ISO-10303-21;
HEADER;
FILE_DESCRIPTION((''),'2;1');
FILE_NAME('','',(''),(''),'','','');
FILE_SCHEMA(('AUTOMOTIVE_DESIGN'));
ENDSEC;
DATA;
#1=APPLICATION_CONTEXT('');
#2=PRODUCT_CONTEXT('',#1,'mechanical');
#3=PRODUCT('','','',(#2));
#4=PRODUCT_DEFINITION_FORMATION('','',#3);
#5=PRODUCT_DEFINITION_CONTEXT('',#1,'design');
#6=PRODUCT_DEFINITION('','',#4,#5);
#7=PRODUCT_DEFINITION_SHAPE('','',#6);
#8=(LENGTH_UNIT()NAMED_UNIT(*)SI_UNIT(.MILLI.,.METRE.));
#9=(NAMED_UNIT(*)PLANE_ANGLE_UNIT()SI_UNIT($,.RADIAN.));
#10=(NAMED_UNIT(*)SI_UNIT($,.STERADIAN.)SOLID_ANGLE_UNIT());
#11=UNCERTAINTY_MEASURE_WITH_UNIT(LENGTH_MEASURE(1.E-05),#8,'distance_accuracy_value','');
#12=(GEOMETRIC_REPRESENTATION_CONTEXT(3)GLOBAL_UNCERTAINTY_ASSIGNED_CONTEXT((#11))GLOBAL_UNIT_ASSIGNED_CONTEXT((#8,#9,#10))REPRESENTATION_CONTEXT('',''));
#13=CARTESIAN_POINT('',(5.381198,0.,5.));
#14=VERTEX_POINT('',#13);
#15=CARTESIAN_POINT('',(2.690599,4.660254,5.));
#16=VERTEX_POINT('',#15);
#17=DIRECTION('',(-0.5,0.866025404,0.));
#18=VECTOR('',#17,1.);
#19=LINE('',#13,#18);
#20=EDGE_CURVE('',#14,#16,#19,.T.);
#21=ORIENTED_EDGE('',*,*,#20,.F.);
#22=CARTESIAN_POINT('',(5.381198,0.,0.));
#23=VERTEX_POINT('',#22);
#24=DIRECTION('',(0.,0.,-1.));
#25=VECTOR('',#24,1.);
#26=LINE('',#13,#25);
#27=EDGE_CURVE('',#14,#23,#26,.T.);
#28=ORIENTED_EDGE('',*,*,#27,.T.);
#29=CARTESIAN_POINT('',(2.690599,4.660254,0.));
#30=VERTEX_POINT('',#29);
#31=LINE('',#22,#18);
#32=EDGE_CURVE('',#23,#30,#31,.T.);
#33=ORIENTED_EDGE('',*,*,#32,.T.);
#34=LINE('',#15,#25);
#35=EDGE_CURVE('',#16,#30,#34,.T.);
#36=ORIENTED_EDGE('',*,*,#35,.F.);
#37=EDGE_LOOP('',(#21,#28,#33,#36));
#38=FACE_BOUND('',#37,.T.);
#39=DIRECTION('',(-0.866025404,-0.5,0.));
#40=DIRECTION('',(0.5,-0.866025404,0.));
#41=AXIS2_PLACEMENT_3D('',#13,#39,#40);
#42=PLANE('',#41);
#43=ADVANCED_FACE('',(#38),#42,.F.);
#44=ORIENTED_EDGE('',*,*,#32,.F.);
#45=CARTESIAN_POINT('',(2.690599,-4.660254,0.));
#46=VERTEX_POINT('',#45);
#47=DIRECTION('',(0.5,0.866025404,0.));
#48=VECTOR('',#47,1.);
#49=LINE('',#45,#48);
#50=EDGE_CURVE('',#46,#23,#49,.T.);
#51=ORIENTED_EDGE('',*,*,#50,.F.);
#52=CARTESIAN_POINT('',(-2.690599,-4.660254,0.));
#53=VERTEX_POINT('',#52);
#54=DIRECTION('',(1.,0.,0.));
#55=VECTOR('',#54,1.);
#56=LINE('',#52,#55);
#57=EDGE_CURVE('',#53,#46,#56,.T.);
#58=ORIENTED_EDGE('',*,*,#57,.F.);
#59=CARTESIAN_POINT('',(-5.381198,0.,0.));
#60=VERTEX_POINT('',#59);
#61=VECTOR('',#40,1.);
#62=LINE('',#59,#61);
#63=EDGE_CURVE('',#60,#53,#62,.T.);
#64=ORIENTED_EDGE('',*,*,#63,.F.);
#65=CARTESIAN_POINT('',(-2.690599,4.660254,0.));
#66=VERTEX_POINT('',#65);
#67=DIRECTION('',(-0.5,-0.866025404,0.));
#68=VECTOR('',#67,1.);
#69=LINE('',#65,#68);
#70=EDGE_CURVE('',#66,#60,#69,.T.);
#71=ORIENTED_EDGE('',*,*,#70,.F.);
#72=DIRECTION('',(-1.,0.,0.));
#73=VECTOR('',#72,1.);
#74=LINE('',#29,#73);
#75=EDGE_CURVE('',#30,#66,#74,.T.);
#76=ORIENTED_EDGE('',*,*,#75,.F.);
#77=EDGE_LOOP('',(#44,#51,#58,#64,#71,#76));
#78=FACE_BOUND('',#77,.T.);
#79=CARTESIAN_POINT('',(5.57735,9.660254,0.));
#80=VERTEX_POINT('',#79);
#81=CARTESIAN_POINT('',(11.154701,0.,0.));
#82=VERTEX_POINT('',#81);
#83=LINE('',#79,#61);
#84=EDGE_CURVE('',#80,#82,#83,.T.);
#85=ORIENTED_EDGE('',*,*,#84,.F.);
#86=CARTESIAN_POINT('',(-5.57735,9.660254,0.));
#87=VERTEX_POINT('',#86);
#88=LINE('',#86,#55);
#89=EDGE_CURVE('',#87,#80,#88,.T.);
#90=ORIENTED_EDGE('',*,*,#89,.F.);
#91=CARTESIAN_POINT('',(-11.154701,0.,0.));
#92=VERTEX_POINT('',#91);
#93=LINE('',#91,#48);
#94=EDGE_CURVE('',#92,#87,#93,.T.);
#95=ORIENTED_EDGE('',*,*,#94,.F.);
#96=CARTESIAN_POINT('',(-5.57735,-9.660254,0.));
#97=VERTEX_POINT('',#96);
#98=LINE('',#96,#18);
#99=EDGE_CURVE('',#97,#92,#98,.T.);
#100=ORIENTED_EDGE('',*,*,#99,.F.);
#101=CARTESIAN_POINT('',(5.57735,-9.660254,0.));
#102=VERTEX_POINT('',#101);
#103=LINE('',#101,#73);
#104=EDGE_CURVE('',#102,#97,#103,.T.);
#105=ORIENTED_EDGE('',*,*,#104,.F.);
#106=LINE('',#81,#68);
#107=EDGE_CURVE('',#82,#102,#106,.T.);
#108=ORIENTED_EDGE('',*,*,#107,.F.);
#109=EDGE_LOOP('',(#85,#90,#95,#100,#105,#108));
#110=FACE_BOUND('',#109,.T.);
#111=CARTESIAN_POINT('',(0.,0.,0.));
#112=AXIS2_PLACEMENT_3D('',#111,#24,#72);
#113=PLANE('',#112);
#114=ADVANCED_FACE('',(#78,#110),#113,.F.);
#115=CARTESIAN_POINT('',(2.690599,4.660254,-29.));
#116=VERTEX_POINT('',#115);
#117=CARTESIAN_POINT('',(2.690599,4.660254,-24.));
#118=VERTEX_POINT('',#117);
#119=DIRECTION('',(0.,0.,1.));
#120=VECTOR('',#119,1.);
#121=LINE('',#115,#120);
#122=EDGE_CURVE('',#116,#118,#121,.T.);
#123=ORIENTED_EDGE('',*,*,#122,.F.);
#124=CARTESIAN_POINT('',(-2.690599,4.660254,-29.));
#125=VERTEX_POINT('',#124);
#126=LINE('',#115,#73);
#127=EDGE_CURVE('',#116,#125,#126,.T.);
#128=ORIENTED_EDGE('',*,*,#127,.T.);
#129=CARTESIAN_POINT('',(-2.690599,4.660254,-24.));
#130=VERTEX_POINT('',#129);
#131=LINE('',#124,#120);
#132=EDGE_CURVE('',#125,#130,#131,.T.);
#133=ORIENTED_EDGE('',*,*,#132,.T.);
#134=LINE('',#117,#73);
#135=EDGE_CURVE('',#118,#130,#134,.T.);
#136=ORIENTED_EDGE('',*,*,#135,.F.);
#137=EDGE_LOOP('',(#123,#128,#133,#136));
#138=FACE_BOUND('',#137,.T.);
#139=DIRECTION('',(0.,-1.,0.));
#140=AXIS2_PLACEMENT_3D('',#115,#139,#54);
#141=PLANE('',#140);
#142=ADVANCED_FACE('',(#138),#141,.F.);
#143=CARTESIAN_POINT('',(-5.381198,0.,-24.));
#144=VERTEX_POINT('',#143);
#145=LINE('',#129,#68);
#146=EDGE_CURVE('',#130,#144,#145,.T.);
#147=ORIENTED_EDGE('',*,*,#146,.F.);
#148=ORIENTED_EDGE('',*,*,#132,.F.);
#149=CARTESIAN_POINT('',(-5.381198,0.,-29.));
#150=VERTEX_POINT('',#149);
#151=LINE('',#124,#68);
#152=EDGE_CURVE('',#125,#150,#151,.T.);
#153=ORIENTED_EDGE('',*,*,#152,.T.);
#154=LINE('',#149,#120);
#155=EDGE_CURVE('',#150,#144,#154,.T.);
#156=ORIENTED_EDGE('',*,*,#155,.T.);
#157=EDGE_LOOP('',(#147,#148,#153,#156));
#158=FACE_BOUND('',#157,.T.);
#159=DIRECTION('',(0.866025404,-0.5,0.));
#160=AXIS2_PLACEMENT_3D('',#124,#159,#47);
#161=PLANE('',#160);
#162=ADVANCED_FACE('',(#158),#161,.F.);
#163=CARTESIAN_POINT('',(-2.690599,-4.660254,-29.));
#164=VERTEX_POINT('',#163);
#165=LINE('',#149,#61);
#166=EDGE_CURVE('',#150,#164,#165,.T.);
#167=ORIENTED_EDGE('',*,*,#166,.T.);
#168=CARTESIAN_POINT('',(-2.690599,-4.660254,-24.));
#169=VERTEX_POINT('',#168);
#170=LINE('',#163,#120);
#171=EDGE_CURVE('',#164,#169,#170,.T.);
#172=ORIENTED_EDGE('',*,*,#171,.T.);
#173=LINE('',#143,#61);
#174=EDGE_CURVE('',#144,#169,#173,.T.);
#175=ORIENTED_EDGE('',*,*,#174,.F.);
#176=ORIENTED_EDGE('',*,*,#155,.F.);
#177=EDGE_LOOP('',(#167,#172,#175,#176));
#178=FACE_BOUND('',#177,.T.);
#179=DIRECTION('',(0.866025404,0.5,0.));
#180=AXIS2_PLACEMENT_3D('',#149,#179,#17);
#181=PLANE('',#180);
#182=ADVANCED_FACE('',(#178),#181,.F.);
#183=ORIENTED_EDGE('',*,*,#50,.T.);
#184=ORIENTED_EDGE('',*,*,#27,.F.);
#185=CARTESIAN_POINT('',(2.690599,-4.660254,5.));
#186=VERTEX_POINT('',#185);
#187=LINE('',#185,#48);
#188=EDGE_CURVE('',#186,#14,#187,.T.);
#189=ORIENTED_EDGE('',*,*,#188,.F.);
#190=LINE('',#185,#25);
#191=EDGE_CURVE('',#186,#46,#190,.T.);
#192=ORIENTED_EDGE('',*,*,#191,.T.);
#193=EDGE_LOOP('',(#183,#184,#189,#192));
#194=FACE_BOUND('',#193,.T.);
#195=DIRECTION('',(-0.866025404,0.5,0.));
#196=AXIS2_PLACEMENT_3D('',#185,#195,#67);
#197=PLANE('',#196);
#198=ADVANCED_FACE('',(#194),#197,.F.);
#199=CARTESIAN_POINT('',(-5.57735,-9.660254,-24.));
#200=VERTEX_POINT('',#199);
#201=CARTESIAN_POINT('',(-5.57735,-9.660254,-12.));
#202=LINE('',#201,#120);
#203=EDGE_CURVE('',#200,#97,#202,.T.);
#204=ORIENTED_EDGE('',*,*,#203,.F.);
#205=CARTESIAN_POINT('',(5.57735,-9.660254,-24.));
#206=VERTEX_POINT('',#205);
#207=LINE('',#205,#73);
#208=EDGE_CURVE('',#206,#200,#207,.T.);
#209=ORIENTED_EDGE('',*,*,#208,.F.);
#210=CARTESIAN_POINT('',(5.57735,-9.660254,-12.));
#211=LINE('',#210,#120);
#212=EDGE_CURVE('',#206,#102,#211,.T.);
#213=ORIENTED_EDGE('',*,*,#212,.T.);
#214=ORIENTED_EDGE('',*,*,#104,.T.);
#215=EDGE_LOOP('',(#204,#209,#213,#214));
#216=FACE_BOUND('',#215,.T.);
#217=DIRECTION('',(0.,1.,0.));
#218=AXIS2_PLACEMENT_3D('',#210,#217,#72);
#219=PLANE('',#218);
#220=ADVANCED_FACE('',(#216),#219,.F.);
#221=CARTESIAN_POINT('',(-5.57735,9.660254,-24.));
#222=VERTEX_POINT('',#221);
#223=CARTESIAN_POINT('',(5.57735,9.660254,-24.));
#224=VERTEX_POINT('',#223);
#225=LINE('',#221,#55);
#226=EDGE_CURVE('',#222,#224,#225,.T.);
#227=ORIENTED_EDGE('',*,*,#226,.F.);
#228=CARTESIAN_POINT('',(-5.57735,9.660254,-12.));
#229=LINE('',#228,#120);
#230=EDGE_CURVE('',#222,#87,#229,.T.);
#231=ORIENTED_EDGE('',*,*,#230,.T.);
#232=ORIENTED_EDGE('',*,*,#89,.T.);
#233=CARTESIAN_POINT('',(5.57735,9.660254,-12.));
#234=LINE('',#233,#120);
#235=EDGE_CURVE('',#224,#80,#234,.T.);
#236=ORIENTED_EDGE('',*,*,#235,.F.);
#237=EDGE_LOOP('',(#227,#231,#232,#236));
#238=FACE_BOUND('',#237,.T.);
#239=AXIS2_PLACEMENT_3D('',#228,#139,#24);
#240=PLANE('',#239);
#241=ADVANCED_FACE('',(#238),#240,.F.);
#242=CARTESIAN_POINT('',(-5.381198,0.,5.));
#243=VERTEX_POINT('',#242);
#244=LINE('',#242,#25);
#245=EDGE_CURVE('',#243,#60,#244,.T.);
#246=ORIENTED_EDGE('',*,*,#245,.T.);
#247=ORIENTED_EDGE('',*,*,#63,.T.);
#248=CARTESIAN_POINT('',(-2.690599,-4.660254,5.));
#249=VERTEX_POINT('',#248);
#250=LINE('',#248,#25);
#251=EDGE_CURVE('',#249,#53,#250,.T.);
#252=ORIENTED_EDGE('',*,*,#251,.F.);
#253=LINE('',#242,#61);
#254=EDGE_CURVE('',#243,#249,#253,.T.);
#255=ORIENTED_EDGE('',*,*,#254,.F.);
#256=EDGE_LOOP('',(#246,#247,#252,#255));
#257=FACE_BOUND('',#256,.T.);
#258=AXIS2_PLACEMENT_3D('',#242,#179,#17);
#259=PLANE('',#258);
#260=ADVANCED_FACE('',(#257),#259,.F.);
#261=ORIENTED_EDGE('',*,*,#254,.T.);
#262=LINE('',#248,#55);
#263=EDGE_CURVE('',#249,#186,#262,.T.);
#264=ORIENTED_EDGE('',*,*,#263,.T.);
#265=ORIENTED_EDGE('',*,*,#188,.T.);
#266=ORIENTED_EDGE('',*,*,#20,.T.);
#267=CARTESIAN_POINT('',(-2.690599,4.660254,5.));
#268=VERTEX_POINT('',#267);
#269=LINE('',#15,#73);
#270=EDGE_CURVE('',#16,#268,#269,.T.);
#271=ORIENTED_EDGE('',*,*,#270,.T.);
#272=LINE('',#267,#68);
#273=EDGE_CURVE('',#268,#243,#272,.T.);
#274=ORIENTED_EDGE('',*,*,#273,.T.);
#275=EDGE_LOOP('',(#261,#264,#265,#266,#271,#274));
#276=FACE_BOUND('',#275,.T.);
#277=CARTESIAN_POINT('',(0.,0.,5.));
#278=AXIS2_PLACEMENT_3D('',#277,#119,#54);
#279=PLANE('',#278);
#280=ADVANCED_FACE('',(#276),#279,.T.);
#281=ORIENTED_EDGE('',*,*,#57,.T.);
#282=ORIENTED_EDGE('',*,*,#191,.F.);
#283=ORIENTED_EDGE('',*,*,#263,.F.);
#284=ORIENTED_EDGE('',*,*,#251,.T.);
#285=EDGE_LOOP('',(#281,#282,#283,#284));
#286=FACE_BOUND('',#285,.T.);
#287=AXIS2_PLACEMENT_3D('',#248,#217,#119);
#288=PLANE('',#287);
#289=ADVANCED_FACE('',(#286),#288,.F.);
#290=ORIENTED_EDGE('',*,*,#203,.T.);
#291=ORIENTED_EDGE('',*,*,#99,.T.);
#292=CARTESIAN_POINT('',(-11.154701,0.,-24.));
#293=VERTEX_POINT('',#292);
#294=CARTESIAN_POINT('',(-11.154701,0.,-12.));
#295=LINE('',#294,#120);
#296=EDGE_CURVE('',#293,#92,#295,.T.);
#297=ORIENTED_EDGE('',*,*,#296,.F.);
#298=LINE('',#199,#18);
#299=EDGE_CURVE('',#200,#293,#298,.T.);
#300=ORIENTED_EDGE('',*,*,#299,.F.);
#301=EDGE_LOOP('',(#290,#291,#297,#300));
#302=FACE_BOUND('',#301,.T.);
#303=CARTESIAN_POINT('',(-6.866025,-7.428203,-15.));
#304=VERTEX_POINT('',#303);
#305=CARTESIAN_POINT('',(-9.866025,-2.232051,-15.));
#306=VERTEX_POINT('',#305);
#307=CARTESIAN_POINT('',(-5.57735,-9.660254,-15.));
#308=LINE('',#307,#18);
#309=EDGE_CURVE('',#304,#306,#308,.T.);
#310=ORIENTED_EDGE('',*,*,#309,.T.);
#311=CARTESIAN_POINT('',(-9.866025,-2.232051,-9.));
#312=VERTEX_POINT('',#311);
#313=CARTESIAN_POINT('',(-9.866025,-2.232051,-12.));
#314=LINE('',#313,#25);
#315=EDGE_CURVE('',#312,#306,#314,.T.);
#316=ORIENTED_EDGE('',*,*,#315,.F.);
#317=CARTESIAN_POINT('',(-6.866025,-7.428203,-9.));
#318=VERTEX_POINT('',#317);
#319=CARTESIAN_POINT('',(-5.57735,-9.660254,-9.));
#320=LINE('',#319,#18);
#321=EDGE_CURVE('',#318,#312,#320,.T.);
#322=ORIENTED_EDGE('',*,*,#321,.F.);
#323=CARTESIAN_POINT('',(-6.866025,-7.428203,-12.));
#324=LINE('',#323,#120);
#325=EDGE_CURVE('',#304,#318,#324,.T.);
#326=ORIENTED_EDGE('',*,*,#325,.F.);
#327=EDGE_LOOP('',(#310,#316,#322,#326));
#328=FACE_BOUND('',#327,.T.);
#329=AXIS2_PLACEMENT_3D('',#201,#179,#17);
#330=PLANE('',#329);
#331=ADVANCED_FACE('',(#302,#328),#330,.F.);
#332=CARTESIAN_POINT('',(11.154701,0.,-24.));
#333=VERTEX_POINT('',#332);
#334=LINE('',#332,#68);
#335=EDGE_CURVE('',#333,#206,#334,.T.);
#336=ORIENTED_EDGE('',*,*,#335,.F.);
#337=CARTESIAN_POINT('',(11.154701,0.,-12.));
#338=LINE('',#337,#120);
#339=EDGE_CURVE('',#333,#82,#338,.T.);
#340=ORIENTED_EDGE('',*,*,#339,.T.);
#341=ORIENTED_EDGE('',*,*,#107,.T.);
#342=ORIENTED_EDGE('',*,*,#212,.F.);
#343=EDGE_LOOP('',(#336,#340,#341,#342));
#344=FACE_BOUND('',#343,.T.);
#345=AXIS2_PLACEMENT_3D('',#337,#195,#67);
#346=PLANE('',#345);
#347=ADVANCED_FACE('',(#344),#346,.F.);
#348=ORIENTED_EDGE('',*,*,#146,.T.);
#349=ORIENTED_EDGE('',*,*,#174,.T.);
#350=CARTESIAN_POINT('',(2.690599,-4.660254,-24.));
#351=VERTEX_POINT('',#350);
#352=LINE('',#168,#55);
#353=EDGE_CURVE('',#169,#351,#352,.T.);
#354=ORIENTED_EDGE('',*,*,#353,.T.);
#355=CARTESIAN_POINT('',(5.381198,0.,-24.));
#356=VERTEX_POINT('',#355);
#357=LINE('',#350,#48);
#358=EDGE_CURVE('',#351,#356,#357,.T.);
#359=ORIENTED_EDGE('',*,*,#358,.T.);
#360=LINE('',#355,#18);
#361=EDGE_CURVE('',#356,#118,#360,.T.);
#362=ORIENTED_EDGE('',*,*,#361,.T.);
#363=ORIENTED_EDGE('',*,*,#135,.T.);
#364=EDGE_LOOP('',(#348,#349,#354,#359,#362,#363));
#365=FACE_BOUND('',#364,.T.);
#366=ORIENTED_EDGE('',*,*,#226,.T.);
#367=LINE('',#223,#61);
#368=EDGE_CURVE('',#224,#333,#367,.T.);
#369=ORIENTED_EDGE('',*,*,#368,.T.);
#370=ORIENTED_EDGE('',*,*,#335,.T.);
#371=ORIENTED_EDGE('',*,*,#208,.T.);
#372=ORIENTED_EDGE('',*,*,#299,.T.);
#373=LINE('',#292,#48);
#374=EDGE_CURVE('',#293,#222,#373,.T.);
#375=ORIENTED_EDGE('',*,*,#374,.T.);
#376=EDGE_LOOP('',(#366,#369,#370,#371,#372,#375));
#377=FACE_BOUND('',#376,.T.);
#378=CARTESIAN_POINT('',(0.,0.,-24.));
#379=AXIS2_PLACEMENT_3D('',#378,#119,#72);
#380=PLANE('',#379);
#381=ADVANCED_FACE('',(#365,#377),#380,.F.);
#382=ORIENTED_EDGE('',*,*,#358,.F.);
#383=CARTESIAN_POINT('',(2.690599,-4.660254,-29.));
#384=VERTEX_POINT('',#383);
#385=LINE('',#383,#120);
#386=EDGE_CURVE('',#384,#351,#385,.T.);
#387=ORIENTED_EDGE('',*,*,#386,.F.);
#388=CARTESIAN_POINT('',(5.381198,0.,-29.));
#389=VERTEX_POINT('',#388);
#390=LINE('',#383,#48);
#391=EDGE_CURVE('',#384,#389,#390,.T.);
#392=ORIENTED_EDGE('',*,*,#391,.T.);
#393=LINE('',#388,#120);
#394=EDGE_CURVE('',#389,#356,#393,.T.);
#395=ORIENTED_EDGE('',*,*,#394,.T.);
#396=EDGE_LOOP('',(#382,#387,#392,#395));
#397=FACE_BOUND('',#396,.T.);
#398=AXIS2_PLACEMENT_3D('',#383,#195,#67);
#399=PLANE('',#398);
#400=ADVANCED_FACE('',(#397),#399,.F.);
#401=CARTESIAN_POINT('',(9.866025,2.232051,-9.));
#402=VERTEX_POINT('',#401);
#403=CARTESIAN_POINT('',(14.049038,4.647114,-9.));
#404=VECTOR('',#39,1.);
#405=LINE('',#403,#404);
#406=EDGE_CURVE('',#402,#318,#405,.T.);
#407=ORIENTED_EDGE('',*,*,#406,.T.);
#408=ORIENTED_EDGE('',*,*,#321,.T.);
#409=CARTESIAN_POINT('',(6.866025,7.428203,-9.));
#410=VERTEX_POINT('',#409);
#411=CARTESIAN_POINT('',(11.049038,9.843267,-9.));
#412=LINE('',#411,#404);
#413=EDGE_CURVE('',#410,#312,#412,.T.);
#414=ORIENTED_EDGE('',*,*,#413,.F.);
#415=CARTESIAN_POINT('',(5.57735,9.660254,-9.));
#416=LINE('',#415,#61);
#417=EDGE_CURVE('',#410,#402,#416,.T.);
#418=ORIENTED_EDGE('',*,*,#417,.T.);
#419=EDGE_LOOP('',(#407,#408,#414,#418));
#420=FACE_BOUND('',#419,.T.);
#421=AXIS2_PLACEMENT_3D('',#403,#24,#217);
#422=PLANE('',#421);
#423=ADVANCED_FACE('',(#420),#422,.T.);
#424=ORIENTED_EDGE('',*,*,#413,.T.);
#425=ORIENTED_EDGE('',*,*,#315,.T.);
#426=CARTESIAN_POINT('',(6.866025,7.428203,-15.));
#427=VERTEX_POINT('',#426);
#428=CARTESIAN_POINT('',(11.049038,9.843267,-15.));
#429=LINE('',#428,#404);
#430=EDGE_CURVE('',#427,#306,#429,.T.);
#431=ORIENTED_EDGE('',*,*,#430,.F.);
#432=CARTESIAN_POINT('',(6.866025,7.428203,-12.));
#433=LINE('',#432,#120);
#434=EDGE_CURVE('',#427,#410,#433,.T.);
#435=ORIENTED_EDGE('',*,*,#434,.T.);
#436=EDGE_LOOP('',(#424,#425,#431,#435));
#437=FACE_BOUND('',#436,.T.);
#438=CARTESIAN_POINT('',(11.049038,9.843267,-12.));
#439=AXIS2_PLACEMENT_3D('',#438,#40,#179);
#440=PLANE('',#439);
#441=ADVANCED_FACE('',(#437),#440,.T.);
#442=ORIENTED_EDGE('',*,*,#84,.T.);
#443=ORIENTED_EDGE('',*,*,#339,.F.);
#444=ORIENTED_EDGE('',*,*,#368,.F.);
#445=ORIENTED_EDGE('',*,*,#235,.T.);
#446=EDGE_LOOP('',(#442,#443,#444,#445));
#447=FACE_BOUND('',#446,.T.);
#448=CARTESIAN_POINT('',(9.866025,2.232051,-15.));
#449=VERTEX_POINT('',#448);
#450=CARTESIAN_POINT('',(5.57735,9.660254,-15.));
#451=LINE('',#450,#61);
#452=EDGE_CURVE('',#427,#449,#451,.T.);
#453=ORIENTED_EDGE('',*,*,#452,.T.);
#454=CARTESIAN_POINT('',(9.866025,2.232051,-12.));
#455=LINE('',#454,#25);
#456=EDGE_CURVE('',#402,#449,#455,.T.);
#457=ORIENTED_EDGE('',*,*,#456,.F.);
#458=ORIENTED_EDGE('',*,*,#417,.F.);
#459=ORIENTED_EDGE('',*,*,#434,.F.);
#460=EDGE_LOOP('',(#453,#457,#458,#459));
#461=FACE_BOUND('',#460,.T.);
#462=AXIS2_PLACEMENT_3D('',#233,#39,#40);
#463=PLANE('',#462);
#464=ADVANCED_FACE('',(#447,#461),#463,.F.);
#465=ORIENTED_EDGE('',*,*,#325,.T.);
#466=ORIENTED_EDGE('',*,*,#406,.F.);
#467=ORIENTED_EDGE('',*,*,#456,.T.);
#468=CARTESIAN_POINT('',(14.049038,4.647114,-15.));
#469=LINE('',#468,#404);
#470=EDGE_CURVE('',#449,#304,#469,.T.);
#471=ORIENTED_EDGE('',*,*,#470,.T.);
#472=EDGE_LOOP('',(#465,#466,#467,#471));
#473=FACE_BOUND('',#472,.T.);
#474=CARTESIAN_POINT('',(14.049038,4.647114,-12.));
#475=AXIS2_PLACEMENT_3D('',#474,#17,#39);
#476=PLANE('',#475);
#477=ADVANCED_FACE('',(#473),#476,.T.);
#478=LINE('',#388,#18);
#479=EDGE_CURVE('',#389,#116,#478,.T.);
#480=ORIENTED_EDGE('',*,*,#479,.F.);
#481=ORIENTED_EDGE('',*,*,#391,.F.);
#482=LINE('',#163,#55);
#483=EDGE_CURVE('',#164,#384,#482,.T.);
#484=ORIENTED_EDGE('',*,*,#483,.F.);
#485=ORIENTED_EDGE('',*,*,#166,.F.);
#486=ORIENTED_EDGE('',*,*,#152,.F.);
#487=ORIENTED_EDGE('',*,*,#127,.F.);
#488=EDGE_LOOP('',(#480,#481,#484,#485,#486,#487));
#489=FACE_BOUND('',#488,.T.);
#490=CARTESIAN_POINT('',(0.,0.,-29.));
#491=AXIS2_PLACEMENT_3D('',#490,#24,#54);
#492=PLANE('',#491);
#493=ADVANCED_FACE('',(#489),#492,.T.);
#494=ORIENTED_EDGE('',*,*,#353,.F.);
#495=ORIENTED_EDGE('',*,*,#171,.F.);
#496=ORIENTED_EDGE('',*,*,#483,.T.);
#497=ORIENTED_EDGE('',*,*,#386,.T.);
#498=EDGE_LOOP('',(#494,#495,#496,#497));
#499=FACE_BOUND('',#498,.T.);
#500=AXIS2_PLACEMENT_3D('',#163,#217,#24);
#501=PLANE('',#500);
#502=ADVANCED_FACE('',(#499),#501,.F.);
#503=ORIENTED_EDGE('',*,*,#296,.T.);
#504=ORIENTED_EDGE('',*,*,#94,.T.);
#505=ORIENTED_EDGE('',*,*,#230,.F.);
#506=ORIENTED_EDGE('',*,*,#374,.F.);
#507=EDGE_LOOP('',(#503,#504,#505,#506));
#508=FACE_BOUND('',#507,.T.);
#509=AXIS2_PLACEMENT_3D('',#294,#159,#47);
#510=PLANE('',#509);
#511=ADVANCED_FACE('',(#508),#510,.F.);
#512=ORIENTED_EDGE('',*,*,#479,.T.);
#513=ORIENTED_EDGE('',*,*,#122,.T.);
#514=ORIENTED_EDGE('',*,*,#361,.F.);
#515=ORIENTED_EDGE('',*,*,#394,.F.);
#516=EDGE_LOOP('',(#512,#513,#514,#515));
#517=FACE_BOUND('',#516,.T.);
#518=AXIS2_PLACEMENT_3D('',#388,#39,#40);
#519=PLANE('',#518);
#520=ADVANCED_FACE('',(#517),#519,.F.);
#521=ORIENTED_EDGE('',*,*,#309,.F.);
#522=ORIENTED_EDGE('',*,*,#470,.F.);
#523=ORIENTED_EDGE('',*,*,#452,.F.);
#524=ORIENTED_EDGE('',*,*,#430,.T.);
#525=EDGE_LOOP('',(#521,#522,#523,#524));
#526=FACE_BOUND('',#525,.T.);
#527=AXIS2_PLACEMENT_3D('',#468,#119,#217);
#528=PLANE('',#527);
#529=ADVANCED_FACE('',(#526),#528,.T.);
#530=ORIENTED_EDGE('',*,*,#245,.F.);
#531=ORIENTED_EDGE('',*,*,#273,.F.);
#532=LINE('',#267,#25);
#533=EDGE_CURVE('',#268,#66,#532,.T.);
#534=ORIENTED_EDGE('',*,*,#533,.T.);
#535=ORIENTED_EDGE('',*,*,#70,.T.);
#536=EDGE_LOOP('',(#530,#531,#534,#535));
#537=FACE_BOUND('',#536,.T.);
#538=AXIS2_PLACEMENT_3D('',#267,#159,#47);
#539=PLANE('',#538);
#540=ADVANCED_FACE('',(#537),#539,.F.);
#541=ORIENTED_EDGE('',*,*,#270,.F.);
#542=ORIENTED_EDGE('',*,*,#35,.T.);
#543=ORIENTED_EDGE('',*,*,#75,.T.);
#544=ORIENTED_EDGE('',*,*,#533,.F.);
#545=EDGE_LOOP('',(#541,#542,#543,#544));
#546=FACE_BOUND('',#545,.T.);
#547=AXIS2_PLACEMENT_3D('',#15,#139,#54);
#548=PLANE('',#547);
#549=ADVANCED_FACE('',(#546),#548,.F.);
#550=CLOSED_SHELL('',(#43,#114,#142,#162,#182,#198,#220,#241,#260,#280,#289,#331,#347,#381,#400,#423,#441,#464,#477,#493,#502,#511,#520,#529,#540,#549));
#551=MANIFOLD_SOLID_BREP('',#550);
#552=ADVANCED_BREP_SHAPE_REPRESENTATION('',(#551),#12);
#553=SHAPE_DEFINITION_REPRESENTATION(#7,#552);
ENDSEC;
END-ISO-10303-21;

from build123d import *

# Parameters (mm, degrees)
BOSS_EXTRU_1_DEPTH      = 5
BOSS_EXTRU_2_DEPTH      = 12
ESQUISSE4_W             = 3
ESQUISSE4_H             = 6
ENL_V_MAT_EXTRU_1_DEPTH = 41.844032186


with BuildPart() as part:
    # Esquisse1 → Boss.-Extru.1 (new body)
    with BuildSketch(Plane.XY):
        Polygon((2.690598923, 4.660254038), (-2.690598923, 4.660254038), (-5.381197846, 0), (-2.690598923, -4.660254038), (2.690598923, -4.660254038), (5.381197846, 0), align=None)
    boss_extru_1 = extrude(amount=BOSS_EXTRU_1_DEPTH)

    # Esquisse2 → Boss.-Extru.2 (add)
    with BuildSketch(Plane(origin=(0, 0, 0), x_dir=(-1, 0, 0), z_dir=(0, 0, -1))):
        Polygon((5.577350269, 9.660254038), (-5.577350269, 9.660254038), (-11.154700538, 0), (-5.577350269, -9.660254038), (5.577350269, -9.660254038), (11.154700538, 0), align=None)
    boss_extru_2 = extrude(amount=BOSS_EXTRU_2_DEPTH)

    # Esquisse4 → Enlèv. mat.-Extru.1 (cut, symmetric)
    with BuildSketch(Plane(origin=(-19.520725942, 14.490381057, 0), x_dir=(0, 0, 1), z_dir=(0.8660254037844387, 0.49999999999999983, 0))):
        with Locations((-10.5, 22.309401077)):
            Rectangle(ESQUISSE4_W, ESQUISSE4_H)
    enl_v_mat_extru_1 = extrude(amount=ENL_V_MAT_EXTRU_1_DEPTH, both=True, mode=Mode.SUBTRACT)

    # Symétrie1: Boss.-Extru.1, Boss.-Extru.2, Enlèv. mat.-Extru.1 across plane
    add(boss_extru_1.mirror(Plane(origin=(0, 0, -12), x_dir=(1, 0, 0), z_dir=(0, 0, -1))))
    add(boss_extru_2.mirror(Plane(origin=(0, 0, -12), x_dir=(1, 0, 0), z_dir=(0, 0, -1))))
    add(enl_v_mat_extru_1.mirror(Plane(origin=(0, 0, -12), x_dir=(1, 0, 0), z_dir=(0, 0, -1))), mode=Mode.SUBTRACT)


solid = part.part
